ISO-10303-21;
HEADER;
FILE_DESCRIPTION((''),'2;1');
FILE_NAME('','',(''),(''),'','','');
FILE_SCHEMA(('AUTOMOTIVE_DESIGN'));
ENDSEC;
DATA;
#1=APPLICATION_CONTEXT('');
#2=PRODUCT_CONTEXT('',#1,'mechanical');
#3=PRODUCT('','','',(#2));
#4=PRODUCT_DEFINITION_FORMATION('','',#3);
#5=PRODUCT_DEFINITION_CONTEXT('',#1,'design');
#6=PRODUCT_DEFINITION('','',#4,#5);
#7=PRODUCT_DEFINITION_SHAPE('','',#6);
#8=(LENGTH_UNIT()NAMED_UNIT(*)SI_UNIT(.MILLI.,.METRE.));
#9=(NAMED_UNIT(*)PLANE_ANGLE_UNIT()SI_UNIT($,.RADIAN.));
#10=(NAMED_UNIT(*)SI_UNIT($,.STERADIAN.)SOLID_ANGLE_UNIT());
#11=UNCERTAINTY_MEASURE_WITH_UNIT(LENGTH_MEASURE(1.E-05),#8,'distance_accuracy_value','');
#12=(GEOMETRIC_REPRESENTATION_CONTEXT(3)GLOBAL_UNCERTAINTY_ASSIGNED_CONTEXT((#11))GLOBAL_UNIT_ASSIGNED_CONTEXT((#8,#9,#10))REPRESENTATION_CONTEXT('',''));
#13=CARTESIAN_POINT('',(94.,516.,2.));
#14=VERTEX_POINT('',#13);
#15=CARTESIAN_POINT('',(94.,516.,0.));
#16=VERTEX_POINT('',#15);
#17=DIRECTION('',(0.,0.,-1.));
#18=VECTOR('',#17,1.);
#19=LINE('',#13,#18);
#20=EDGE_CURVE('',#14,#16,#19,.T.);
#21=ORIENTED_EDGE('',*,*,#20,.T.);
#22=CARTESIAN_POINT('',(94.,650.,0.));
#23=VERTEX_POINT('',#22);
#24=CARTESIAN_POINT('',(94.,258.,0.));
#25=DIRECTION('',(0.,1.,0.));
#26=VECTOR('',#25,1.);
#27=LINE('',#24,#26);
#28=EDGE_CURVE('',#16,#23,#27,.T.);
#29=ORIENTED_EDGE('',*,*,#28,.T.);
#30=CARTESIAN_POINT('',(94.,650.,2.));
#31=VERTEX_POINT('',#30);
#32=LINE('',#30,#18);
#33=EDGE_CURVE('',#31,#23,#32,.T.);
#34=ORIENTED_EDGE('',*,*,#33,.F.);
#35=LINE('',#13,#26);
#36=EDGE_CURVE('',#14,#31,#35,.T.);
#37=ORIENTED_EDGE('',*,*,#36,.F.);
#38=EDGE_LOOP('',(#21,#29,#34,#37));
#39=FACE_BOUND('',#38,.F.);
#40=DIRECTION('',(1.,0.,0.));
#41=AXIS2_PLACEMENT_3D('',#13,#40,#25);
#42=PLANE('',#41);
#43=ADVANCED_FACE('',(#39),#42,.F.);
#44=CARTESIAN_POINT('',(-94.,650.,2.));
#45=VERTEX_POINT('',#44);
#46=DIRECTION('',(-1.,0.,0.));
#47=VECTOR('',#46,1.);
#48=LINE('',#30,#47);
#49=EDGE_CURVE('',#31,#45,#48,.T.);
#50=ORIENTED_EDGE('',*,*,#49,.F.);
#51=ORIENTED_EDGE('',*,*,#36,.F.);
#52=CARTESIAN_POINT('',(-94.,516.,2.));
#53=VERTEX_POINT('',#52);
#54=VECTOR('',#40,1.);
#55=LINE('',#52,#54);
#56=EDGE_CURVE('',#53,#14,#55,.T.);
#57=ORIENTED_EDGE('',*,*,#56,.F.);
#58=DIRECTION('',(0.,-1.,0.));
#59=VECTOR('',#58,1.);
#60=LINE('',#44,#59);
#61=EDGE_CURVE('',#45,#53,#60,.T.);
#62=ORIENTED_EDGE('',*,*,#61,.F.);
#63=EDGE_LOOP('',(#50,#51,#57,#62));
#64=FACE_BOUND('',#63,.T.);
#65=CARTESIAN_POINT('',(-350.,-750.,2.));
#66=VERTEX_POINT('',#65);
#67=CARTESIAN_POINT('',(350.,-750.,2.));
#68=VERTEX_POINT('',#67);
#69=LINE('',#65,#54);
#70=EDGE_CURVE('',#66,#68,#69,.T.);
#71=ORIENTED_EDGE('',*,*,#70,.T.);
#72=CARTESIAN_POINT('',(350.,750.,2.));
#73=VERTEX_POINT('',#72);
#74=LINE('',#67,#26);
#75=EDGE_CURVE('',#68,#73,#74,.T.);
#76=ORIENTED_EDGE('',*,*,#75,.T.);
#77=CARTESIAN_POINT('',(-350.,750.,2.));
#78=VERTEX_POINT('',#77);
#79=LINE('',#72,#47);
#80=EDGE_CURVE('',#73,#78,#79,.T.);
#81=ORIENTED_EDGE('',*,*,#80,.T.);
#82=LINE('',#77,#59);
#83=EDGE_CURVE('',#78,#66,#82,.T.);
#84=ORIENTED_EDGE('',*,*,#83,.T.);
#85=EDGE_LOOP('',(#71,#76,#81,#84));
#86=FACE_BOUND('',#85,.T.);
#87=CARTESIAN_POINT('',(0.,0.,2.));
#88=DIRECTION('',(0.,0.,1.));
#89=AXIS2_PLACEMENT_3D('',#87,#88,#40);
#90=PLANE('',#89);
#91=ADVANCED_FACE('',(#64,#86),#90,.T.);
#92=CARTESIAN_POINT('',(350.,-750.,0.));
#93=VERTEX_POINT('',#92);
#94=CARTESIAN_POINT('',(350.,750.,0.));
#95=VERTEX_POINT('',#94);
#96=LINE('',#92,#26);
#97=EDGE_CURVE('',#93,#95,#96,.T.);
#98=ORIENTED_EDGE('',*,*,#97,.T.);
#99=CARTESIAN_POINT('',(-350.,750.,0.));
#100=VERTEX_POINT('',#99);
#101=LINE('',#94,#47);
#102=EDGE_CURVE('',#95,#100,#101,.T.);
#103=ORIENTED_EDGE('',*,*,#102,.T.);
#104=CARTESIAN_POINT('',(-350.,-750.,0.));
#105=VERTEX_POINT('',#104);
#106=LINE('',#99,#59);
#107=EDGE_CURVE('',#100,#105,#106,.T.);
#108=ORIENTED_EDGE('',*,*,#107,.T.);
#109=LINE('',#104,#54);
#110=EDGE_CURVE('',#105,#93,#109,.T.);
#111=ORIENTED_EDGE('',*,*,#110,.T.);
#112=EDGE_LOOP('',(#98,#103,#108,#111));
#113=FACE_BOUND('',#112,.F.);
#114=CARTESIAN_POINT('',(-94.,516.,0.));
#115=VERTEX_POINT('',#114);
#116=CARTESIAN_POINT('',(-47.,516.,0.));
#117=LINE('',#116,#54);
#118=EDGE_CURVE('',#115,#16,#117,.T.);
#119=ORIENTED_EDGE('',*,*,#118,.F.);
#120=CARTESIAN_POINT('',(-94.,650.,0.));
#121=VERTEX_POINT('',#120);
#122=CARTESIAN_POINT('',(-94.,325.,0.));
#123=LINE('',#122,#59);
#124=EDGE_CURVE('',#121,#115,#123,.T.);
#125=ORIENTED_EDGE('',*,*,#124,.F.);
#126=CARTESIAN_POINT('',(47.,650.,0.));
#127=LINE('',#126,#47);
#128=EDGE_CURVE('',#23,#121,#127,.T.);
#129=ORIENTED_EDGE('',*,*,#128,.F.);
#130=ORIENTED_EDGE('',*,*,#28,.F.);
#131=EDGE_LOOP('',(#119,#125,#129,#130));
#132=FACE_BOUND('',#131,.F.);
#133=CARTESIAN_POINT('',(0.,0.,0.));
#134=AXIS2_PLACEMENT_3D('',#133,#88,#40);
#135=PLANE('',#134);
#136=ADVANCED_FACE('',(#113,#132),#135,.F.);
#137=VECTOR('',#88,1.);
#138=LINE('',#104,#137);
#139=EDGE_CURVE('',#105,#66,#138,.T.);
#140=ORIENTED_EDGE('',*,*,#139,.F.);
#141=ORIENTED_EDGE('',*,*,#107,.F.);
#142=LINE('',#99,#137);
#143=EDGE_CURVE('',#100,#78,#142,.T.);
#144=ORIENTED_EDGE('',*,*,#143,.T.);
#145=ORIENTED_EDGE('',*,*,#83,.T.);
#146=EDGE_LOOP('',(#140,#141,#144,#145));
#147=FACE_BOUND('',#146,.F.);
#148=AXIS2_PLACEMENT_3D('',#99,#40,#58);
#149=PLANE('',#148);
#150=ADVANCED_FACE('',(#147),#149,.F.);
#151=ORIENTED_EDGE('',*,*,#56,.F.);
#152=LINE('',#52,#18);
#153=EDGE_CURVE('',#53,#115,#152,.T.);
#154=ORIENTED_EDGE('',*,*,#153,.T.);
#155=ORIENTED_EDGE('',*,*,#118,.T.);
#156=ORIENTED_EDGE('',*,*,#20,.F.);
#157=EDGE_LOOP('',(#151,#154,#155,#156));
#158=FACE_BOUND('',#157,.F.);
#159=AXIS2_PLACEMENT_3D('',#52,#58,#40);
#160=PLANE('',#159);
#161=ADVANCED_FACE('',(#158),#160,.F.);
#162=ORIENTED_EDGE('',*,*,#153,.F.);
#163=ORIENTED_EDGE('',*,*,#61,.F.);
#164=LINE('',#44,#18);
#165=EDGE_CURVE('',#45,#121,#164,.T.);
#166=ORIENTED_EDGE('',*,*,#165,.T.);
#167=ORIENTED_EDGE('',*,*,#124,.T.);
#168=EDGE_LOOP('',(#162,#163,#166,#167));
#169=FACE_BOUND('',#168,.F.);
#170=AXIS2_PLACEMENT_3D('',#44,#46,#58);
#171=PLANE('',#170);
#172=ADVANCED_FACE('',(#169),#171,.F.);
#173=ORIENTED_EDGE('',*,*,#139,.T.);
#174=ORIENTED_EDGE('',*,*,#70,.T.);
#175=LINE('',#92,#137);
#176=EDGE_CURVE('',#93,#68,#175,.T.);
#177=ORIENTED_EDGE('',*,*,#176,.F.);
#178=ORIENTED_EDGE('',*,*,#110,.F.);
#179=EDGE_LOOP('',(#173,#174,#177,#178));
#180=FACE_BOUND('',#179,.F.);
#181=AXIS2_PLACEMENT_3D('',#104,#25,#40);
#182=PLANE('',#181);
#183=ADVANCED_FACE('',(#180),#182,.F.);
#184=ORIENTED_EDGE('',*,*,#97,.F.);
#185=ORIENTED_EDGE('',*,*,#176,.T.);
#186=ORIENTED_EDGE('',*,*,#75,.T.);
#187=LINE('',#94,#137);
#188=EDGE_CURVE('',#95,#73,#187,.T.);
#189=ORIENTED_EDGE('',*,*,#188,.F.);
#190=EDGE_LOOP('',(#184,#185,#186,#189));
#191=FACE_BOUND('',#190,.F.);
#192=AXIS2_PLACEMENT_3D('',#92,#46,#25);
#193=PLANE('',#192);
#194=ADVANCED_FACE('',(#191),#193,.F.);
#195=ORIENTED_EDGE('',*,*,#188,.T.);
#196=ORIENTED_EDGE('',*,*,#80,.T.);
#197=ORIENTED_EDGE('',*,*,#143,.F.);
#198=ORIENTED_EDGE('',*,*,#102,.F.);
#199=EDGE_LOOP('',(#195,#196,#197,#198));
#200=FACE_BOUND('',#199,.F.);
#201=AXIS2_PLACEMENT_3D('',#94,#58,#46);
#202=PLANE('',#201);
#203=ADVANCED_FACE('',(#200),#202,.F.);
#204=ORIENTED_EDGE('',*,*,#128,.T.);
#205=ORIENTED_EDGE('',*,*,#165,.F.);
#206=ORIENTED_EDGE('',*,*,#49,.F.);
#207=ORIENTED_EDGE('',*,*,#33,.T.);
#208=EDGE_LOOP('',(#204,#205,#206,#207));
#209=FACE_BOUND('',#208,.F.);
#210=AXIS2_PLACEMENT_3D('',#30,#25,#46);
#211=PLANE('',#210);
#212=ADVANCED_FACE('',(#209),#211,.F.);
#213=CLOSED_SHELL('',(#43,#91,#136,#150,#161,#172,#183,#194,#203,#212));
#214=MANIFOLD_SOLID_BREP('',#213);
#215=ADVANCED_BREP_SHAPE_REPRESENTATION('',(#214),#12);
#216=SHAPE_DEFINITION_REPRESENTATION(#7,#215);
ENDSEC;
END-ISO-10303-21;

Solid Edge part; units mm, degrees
sketch "Sketch1" plane through (0, 0, 0) normal (0, 0, 1) x (1, 0, 0)
  line L0 (350, 750) -> (-350, 750)
  line L1 (-350, 750) -> (-350, -750)
  line L2 (-350, -750) -> (350, -750)
  line L3 (350, -750) -> (350, 750)
extrude "Protrusion1" add sketch "Sketch1" along normal blind 2
sketch "Sketch2" plane through (0, 0, 2) normal (0, 0, 1) x (1, 0, 0)
  line L0 (94, 516) -> (94, 650)
  line L1 (94, 650) -> (-94, 650)
  line L2 (-94, 650) -> (-94, 516)
  line L3 (-94, 516) -> (94, 516)
extrude "ExtrudedCutout_1" cut sketch "Sketch2" against normal blind 269.0392
properties material "Aluminum, 1060"
